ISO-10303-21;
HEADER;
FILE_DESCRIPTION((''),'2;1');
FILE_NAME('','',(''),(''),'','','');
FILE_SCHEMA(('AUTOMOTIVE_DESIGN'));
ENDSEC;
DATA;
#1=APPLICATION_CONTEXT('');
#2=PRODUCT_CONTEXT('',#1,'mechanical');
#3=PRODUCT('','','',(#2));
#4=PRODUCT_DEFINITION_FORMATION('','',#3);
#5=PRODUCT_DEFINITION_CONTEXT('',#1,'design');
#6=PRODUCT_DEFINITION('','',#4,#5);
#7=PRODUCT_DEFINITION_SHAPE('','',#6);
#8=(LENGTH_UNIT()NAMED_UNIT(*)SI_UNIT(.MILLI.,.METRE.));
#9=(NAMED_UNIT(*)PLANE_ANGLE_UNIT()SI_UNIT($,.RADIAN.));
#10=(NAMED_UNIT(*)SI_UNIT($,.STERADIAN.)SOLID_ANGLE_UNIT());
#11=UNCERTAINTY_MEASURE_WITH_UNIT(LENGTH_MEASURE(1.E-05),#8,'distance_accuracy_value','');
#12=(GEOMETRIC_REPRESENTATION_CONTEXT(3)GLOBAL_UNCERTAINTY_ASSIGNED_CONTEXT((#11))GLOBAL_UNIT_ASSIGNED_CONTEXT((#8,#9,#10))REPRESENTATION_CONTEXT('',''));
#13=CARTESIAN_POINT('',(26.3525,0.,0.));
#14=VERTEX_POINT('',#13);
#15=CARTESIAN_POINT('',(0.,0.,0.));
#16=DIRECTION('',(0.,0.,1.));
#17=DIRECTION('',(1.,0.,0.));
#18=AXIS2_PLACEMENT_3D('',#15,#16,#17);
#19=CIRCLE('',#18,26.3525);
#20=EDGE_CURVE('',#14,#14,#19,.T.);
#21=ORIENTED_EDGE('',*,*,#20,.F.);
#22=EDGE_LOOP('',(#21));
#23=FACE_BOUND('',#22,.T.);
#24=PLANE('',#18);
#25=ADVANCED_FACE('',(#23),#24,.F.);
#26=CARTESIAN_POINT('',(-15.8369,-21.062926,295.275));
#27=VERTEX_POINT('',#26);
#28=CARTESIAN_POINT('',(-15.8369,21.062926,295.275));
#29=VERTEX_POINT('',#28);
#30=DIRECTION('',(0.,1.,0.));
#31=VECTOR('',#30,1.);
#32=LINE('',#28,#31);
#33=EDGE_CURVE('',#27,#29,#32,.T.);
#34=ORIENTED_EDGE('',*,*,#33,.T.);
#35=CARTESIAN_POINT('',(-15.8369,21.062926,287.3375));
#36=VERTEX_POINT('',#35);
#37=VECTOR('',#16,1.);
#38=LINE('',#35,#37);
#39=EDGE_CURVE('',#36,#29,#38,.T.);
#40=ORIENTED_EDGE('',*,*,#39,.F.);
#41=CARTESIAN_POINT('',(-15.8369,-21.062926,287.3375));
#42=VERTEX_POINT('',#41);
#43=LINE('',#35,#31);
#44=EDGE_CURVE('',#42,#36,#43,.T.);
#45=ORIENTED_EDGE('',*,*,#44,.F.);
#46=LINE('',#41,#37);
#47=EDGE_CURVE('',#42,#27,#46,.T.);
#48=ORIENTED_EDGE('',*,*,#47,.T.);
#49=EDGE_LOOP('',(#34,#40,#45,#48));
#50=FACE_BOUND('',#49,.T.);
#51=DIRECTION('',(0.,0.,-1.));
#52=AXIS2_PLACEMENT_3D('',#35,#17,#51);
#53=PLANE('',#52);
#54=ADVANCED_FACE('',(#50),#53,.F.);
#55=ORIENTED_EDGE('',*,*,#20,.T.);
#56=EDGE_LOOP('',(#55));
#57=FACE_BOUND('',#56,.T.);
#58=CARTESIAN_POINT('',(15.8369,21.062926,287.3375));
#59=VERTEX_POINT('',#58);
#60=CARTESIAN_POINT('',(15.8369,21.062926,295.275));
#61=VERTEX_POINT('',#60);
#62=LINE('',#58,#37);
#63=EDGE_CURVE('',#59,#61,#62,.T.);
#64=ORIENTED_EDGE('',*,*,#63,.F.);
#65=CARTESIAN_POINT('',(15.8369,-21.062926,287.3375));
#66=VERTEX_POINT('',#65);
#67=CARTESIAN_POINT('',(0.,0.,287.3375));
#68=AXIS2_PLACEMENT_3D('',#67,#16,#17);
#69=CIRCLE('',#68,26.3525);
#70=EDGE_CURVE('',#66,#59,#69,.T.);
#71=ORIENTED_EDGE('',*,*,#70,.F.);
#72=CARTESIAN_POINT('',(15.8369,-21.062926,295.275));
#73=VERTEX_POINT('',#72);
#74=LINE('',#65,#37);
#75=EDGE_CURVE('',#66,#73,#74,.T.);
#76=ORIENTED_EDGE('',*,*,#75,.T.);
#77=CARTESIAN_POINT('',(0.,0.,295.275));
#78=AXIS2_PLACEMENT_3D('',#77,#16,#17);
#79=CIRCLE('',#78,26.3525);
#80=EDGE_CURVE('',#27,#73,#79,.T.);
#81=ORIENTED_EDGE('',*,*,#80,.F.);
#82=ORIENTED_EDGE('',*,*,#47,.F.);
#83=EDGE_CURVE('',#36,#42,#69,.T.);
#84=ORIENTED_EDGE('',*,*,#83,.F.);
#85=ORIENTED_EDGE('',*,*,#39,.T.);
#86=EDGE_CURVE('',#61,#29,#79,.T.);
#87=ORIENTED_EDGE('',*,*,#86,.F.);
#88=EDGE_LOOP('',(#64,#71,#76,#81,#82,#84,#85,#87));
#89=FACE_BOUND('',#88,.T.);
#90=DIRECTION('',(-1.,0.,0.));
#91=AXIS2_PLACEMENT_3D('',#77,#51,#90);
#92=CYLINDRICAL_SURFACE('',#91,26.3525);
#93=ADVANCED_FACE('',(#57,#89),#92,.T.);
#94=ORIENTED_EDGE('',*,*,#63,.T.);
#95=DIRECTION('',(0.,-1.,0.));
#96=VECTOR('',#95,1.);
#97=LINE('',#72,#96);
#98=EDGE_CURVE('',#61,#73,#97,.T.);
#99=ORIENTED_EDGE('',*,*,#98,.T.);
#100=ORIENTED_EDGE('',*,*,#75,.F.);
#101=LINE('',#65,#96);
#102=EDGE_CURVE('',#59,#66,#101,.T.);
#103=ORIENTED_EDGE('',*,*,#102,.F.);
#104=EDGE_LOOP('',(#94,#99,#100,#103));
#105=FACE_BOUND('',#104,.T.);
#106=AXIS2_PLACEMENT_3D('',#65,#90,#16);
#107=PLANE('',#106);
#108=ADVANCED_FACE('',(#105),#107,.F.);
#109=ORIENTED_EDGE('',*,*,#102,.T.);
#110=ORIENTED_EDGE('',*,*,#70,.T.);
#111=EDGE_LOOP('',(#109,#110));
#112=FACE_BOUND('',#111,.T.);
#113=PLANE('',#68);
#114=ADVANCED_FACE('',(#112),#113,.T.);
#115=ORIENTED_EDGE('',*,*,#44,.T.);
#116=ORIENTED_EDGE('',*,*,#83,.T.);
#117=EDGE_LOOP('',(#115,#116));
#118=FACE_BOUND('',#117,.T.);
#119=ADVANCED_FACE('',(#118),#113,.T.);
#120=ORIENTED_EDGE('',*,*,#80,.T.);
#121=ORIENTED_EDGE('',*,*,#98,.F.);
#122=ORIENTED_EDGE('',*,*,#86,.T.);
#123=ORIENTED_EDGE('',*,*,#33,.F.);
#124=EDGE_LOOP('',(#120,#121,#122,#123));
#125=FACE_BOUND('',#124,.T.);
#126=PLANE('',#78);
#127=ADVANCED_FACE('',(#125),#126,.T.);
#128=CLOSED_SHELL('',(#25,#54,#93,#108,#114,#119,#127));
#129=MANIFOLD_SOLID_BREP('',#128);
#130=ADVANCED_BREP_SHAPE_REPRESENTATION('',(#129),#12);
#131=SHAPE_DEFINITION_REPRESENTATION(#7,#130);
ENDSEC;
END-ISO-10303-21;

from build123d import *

# Parameters (mm, degrees)
SKETCH1_R           = 26.3525
BOSS_EXTRUDE1_DEPTH = 295.275
CUT_EXTRUDE1_START  = -7.9375
CUT_EXTRUDE1_DEPTH  = 7.9375


with BuildPart() as part:
    # Sketch1 → Boss-Extrude1 (new body)
    with BuildSketch(Plane.XY):
        Circle(SKETCH1_R)
    extrude(amount=BOSS_EXTRUDE1_DEPTH)

    # Sketch2 → Cut-Extrude1 (cut)
    with BuildSketch(Plane.XY.offset(295.275).offset(CUT_EXTRUDE1_START)):
        with BuildLine():
            Line((-15.8369, 21.06292607), (-15.8369, -21.06292607))
            ThreePointArc((-15.8369, -21.06292607), (-26.3525, 0), (-15.8369, 21.06292607))
        make_face()
        with BuildLine():
            Line((15.8369, -21.06292607), (15.8369, 21.06292607))
            ThreePointArc((15.8369, 21.06292607), (26.3525, 0), (15.8369, -21.06292607))
        make_face()
    extrude(amount=CUT_EXTRUDE1_DEPTH, mode=Mode.SUBTRACT)


solid = part.part
